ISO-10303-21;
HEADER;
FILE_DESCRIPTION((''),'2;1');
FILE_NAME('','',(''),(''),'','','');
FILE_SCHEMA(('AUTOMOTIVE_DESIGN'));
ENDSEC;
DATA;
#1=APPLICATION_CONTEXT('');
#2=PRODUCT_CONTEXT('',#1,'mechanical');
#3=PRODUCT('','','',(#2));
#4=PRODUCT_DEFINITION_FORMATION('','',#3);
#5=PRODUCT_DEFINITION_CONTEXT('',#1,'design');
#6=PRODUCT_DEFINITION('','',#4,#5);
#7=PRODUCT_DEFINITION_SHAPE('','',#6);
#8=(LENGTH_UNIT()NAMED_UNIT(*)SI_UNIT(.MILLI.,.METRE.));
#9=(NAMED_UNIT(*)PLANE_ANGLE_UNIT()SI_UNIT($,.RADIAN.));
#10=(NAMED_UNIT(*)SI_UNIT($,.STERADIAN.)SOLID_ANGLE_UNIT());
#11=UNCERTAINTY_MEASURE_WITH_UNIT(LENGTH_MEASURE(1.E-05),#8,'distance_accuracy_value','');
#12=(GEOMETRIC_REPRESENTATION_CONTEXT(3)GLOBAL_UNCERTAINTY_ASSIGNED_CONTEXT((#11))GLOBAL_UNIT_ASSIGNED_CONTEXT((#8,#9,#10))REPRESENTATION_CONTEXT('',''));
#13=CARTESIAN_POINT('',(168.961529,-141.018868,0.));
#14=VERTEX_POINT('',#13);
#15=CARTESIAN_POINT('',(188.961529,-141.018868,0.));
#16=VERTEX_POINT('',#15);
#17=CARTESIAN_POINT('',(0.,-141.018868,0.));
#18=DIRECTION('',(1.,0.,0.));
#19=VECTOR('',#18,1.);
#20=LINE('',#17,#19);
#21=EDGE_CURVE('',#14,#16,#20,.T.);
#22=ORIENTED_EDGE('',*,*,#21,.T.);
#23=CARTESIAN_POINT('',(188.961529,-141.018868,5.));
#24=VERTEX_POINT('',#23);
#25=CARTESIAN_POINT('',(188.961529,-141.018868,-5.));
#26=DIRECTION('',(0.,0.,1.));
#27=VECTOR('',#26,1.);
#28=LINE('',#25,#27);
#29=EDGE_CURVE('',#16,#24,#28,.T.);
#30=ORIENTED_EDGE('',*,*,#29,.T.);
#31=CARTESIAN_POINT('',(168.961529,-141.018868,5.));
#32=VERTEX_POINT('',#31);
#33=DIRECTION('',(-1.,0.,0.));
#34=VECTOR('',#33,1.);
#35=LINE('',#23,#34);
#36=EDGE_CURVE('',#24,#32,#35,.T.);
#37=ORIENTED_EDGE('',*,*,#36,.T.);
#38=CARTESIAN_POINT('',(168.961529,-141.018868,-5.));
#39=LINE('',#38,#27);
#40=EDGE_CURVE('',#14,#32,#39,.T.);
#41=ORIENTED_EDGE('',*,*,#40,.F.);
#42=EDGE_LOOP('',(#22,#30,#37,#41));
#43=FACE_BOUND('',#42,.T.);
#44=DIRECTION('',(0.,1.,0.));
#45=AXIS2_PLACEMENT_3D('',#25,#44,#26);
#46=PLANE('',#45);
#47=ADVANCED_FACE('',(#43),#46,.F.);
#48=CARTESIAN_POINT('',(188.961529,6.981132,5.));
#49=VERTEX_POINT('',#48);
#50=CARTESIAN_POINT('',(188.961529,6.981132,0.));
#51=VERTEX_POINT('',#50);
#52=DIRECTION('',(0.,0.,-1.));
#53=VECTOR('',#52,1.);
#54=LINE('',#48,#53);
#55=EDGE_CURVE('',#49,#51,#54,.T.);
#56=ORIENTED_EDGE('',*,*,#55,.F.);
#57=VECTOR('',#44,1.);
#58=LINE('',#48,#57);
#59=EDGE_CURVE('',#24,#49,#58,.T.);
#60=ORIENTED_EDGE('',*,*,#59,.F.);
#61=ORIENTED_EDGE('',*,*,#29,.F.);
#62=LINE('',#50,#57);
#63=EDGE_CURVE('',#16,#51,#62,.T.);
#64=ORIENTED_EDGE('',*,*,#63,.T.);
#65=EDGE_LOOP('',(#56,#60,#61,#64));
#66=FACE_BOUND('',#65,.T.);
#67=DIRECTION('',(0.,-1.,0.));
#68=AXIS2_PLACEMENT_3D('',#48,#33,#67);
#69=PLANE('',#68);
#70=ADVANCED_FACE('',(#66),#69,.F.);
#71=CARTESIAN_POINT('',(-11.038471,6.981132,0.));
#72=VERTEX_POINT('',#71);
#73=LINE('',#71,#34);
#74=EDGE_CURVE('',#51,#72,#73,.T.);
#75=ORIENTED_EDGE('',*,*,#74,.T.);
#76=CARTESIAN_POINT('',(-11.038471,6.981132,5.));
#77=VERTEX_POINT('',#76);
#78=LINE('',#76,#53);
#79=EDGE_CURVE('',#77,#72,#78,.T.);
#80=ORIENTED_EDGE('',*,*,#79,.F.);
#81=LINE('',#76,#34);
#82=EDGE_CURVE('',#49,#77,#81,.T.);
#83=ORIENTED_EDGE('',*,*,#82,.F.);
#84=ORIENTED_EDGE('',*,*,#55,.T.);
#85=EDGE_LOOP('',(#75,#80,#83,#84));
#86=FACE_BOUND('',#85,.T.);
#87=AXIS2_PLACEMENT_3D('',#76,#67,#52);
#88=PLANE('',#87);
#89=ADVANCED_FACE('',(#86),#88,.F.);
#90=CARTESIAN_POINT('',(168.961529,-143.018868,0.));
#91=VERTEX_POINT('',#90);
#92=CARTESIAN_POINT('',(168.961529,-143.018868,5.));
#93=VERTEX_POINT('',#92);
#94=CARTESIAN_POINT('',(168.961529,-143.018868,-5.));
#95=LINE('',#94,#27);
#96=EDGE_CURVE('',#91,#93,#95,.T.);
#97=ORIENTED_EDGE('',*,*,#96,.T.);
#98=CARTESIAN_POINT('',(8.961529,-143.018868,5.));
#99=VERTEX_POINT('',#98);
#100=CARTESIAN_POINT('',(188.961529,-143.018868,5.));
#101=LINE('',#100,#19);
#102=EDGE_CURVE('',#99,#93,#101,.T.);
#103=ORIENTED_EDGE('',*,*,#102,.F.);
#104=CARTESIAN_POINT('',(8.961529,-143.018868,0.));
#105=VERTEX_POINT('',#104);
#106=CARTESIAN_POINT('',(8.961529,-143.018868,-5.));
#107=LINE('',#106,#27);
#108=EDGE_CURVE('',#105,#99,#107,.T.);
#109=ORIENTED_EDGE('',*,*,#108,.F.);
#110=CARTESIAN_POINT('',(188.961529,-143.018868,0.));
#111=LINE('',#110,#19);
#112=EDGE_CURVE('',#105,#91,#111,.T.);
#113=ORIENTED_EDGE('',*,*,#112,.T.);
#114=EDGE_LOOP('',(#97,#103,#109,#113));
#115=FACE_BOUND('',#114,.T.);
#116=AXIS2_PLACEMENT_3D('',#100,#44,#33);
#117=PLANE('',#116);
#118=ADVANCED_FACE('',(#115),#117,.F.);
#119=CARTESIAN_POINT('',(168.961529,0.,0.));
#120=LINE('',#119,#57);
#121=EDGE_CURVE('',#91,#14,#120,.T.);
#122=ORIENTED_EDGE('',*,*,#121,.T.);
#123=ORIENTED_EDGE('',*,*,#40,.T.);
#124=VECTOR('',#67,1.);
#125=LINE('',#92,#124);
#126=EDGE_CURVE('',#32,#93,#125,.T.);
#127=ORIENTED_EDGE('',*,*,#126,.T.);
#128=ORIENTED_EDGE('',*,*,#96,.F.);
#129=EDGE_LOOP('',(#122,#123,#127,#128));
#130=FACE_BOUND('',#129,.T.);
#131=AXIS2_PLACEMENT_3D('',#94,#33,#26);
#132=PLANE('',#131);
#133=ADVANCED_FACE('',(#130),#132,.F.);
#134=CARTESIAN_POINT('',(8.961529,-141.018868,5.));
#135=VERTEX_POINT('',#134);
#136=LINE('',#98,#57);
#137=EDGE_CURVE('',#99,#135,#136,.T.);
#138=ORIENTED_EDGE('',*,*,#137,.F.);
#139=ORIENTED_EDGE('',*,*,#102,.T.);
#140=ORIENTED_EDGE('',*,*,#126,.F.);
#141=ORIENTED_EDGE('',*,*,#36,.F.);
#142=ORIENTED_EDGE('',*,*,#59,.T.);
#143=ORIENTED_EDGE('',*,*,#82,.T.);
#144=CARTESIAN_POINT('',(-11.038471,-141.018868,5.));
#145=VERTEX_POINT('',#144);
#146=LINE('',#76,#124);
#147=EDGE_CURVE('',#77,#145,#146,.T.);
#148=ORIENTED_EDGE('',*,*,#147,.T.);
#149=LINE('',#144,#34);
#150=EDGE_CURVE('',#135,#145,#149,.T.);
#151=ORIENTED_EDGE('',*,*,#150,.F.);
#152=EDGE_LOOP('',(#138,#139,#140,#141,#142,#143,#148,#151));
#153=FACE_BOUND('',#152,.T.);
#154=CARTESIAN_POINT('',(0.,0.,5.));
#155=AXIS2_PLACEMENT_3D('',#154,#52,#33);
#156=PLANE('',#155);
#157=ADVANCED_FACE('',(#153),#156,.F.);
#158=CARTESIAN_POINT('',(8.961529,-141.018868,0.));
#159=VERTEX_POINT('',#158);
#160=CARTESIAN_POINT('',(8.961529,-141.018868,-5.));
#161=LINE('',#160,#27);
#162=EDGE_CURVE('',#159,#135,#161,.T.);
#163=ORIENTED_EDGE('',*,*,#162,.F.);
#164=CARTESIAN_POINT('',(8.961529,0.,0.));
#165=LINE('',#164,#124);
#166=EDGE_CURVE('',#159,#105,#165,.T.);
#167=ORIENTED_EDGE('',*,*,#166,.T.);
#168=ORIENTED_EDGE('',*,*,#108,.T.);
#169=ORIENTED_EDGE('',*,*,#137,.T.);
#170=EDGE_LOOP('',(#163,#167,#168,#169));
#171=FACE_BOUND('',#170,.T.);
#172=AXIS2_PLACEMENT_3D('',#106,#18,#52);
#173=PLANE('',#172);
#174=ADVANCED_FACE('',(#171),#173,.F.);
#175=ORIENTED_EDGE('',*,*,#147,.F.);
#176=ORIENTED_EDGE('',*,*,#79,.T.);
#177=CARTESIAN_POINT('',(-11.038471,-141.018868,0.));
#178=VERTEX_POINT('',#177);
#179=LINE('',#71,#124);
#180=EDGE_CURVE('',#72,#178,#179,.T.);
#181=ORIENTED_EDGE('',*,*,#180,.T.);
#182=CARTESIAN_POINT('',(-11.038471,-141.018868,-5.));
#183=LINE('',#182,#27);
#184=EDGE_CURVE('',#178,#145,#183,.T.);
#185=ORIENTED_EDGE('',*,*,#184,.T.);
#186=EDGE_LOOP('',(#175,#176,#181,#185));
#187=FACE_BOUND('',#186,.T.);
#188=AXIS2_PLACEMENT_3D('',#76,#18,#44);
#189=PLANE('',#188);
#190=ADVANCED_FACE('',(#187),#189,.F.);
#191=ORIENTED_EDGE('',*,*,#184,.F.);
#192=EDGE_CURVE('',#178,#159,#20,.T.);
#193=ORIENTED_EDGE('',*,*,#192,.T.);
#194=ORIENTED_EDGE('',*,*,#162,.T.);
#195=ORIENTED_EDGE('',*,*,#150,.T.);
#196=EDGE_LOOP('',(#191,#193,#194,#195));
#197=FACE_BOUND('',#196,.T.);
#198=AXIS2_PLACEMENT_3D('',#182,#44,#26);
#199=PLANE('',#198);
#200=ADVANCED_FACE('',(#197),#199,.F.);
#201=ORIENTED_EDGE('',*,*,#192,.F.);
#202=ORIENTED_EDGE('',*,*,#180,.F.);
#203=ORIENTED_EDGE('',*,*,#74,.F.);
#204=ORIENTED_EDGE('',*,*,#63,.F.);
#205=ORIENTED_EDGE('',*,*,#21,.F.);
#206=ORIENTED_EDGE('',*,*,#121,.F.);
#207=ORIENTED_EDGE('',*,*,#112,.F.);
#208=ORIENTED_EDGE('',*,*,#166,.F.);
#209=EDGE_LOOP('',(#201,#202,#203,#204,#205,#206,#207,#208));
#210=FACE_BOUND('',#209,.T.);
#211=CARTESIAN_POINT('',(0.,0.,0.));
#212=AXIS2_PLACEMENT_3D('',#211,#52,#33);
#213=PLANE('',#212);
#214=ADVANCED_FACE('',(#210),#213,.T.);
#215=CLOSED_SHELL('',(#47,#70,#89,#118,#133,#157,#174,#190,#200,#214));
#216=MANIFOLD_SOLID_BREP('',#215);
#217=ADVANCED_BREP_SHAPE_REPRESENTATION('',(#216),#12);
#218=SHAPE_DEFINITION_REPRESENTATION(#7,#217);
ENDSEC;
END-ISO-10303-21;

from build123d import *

# Parameters (mm, degrees)
ESQUISSE1_W             = 200
ESQUISSE1_H             = 150
BOSS_EXTRU_1_DEPTH      = 5
ESQUISSE2_W             = 20
ESQUISSE2_H             = 2
ENL_V_MAT_EXTRU_1_DEPTH = 10


with BuildPart() as part:
    # Esquisse1 → Boss.-Extru.1 (new body)
    with BuildSketch(Plane.XY):
        with Locations((88.961529419, -68.018867925)):
            Rectangle(ESQUISSE1_W, ESQUISSE1_H)
    extrude(amount=BOSS_EXTRU_1_DEPTH)

    # Esquisse2 → Enlèv. mat.-Extru.1 (cut)
    with BuildSketch(Plane.XY.offset(5)):
        with Locations((178.961529419, -142.018867925)):
            Rectangle(ESQUISSE2_W, ESQUISSE2_H)
        with Locations((-1.038470581, -142.018867925)):
            Rectangle(ESQUISSE2_W, ESQUISSE2_H)
    extrude(amount=-ENL_V_MAT_EXTRU_1_DEPTH, mode=Mode.SUBTRACT)


solid = part.part
